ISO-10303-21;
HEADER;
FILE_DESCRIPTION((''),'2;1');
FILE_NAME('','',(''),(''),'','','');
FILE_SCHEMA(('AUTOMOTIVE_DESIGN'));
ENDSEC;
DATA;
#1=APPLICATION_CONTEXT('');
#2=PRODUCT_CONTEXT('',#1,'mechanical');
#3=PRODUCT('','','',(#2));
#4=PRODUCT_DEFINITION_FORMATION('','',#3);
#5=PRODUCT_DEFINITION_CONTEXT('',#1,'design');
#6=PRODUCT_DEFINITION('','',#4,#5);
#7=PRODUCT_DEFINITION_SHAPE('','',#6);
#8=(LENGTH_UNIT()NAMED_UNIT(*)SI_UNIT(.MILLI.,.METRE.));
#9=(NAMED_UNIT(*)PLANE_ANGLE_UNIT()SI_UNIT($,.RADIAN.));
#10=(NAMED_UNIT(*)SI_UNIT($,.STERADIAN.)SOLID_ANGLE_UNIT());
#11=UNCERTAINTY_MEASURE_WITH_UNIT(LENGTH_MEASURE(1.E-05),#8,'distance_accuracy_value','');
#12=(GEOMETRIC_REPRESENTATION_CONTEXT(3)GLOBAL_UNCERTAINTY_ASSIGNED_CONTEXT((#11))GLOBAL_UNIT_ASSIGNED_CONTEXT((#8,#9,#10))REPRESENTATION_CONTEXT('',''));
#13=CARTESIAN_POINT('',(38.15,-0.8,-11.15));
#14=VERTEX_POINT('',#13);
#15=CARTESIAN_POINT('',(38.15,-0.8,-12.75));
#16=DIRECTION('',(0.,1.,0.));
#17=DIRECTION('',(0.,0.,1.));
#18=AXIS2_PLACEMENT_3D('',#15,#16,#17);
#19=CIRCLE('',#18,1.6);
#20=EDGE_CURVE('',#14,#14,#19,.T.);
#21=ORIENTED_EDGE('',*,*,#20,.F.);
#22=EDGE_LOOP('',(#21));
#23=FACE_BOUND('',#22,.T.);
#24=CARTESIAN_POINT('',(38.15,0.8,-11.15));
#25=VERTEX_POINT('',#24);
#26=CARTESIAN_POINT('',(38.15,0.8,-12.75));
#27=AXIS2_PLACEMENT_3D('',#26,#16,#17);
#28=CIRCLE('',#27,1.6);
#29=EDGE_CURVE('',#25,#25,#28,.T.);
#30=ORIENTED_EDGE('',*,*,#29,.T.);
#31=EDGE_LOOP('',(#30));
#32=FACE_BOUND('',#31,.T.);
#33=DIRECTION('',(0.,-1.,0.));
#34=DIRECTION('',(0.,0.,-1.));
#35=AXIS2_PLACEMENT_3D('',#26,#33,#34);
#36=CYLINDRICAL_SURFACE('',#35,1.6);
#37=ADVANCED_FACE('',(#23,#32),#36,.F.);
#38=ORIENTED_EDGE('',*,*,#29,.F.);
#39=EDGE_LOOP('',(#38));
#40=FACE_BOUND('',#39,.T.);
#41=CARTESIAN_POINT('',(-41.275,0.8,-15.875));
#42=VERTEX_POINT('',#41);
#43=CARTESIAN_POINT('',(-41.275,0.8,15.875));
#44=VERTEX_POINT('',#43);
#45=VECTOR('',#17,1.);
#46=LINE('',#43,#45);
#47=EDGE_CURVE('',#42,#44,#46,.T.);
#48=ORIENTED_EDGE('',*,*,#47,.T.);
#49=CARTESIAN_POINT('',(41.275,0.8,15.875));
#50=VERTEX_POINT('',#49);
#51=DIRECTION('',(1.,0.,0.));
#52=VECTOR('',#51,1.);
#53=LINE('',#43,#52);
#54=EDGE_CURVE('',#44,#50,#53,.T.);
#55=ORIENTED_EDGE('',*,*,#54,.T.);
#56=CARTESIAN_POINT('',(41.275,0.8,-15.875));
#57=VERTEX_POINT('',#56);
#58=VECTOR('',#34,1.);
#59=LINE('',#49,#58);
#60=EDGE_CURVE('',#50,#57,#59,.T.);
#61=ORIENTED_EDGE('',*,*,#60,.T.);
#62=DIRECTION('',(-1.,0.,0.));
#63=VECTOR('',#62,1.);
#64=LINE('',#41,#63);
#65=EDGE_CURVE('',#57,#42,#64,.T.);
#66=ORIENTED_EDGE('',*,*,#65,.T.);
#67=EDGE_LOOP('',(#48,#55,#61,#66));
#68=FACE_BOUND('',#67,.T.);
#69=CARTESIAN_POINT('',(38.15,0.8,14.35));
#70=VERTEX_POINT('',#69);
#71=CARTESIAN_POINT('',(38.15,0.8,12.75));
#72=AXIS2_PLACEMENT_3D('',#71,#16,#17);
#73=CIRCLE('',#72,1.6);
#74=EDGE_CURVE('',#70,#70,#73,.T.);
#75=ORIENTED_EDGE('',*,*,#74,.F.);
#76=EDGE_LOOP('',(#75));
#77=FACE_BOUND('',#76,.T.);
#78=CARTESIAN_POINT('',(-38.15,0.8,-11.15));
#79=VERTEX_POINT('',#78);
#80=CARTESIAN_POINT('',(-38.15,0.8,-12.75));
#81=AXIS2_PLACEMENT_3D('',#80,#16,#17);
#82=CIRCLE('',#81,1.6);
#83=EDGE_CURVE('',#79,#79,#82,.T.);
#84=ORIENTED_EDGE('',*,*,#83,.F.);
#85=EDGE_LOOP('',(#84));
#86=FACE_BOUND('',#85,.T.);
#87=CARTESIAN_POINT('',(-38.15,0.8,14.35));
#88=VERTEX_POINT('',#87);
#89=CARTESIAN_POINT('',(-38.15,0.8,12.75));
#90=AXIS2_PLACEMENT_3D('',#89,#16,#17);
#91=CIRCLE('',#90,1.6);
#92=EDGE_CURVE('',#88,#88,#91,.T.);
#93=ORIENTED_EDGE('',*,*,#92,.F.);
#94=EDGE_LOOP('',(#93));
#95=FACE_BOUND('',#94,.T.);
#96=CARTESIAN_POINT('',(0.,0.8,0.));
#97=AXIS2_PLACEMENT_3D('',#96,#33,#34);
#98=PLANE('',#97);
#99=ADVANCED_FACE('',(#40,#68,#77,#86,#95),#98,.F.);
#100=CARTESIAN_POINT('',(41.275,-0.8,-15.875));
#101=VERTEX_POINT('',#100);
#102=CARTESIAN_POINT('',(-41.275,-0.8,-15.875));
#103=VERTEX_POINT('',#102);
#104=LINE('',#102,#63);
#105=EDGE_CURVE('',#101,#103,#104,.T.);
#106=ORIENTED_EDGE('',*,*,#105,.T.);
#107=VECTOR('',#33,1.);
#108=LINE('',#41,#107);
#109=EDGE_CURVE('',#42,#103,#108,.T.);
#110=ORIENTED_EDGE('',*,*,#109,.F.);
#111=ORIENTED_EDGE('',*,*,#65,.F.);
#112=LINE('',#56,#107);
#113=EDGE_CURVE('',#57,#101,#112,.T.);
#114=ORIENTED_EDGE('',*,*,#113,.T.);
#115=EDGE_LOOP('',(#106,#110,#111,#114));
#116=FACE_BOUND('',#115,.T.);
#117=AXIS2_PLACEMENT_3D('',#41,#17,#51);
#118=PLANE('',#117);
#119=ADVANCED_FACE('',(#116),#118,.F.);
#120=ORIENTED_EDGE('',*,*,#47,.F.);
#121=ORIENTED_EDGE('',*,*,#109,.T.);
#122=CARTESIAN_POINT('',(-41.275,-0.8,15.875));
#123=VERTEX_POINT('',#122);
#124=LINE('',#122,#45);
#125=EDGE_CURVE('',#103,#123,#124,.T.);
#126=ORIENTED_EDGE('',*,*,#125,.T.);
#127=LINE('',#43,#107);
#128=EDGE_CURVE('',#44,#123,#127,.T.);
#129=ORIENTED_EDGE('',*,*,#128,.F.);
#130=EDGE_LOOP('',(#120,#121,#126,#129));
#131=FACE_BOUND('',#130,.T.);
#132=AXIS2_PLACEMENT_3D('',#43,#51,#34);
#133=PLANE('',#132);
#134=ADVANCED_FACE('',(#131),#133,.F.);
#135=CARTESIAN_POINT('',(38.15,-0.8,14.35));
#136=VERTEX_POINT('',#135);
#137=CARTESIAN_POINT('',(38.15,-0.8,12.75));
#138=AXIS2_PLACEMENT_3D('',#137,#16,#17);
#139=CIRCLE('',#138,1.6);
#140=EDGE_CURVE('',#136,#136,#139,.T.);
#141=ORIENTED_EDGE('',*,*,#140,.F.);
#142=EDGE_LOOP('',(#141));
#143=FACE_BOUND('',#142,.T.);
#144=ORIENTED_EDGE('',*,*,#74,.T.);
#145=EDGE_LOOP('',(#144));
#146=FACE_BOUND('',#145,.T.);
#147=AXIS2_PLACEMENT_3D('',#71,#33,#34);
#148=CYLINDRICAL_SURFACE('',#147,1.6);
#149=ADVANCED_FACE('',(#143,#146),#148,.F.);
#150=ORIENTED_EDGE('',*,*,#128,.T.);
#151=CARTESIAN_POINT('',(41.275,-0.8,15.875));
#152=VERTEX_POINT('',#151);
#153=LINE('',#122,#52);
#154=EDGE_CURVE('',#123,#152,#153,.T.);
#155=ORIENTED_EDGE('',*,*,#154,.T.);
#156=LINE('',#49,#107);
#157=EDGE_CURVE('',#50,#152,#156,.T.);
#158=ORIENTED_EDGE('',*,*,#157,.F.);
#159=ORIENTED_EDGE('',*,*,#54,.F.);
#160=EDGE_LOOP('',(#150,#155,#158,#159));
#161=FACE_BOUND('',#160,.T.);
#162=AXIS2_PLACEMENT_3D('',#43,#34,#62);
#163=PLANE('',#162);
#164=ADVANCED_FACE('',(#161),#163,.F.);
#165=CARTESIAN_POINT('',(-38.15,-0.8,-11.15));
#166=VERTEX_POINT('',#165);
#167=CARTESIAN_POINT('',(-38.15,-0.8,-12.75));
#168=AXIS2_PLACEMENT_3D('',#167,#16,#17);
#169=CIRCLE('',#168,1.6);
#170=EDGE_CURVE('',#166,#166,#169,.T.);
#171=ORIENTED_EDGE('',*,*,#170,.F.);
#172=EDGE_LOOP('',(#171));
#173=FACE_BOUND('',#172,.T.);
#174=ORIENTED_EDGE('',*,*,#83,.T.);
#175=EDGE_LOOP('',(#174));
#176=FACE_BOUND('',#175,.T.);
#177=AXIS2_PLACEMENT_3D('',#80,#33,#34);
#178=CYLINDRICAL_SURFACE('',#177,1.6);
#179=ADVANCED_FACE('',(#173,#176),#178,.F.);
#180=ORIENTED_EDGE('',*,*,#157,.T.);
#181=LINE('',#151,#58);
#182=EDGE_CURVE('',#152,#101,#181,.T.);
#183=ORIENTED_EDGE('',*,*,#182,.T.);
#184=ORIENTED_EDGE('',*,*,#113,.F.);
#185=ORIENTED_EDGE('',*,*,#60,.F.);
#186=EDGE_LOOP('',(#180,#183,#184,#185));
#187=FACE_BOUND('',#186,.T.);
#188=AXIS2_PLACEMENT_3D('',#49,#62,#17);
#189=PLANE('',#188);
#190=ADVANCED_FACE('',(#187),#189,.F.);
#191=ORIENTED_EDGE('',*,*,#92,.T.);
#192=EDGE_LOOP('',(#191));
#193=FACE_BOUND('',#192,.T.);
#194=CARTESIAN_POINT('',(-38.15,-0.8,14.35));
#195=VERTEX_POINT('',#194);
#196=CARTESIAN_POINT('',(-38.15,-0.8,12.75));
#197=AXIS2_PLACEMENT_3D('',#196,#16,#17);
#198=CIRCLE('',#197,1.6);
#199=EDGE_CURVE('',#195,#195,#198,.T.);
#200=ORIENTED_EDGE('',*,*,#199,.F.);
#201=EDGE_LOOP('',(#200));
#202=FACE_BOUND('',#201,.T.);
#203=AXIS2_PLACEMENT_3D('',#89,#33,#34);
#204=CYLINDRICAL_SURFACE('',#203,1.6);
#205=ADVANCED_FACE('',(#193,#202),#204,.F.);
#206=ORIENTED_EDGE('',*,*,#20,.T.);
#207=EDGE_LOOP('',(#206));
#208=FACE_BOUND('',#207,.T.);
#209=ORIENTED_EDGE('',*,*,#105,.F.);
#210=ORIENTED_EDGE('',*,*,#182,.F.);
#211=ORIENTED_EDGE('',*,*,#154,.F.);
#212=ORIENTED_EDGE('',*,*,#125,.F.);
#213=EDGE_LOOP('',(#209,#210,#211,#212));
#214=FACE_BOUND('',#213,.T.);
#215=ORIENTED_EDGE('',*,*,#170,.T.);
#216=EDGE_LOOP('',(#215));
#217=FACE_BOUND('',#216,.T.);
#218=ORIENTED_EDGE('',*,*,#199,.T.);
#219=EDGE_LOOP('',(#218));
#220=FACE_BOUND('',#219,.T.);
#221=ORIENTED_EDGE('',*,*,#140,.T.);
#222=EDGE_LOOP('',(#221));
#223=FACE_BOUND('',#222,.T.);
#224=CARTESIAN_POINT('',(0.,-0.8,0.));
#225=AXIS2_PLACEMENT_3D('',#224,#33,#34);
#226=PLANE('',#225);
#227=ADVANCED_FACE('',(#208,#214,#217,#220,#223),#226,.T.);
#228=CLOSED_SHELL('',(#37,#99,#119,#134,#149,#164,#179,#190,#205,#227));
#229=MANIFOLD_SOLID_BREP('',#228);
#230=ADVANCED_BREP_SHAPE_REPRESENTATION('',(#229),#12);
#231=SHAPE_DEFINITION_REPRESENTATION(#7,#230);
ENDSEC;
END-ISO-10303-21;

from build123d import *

# Parameters (mm, degrees)
SKETCH1_W           = 82.55
SKETCH1_H           = 31.75
SKETCH1_R           = 1.6
BOSS_EXTRUDE1_DEPTH = 0.8


with BuildPart() as part:
    # Sketch1 → Boss-Extrude1 (new body, symmetric)
    with BuildSketch(Plane(origin=(0, 0, 0), x_dir=(1, 0, 0), z_dir=(0, 1, 0))):
        Rectangle(SKETCH1_W, SKETCH1_H)
        with Locations((-38.15, 12.75)):
            Circle(SKETCH1_R, mode=Mode.SUBTRACT)
        with Locations((38.15, 12.75)):
            Circle(SKETCH1_R, mode=Mode.SUBTRACT)
        with Locations((38.15, -12.75)):
            Circle(SKETCH1_R, mode=Mode.SUBTRACT)
        with Locations((-38.15, -12.75)):
            Circle(SKETCH1_R, mode=Mode.SUBTRACT)
    extrude(amount=BOSS_EXTRUDE1_DEPTH, both=True)


solid = part.part
